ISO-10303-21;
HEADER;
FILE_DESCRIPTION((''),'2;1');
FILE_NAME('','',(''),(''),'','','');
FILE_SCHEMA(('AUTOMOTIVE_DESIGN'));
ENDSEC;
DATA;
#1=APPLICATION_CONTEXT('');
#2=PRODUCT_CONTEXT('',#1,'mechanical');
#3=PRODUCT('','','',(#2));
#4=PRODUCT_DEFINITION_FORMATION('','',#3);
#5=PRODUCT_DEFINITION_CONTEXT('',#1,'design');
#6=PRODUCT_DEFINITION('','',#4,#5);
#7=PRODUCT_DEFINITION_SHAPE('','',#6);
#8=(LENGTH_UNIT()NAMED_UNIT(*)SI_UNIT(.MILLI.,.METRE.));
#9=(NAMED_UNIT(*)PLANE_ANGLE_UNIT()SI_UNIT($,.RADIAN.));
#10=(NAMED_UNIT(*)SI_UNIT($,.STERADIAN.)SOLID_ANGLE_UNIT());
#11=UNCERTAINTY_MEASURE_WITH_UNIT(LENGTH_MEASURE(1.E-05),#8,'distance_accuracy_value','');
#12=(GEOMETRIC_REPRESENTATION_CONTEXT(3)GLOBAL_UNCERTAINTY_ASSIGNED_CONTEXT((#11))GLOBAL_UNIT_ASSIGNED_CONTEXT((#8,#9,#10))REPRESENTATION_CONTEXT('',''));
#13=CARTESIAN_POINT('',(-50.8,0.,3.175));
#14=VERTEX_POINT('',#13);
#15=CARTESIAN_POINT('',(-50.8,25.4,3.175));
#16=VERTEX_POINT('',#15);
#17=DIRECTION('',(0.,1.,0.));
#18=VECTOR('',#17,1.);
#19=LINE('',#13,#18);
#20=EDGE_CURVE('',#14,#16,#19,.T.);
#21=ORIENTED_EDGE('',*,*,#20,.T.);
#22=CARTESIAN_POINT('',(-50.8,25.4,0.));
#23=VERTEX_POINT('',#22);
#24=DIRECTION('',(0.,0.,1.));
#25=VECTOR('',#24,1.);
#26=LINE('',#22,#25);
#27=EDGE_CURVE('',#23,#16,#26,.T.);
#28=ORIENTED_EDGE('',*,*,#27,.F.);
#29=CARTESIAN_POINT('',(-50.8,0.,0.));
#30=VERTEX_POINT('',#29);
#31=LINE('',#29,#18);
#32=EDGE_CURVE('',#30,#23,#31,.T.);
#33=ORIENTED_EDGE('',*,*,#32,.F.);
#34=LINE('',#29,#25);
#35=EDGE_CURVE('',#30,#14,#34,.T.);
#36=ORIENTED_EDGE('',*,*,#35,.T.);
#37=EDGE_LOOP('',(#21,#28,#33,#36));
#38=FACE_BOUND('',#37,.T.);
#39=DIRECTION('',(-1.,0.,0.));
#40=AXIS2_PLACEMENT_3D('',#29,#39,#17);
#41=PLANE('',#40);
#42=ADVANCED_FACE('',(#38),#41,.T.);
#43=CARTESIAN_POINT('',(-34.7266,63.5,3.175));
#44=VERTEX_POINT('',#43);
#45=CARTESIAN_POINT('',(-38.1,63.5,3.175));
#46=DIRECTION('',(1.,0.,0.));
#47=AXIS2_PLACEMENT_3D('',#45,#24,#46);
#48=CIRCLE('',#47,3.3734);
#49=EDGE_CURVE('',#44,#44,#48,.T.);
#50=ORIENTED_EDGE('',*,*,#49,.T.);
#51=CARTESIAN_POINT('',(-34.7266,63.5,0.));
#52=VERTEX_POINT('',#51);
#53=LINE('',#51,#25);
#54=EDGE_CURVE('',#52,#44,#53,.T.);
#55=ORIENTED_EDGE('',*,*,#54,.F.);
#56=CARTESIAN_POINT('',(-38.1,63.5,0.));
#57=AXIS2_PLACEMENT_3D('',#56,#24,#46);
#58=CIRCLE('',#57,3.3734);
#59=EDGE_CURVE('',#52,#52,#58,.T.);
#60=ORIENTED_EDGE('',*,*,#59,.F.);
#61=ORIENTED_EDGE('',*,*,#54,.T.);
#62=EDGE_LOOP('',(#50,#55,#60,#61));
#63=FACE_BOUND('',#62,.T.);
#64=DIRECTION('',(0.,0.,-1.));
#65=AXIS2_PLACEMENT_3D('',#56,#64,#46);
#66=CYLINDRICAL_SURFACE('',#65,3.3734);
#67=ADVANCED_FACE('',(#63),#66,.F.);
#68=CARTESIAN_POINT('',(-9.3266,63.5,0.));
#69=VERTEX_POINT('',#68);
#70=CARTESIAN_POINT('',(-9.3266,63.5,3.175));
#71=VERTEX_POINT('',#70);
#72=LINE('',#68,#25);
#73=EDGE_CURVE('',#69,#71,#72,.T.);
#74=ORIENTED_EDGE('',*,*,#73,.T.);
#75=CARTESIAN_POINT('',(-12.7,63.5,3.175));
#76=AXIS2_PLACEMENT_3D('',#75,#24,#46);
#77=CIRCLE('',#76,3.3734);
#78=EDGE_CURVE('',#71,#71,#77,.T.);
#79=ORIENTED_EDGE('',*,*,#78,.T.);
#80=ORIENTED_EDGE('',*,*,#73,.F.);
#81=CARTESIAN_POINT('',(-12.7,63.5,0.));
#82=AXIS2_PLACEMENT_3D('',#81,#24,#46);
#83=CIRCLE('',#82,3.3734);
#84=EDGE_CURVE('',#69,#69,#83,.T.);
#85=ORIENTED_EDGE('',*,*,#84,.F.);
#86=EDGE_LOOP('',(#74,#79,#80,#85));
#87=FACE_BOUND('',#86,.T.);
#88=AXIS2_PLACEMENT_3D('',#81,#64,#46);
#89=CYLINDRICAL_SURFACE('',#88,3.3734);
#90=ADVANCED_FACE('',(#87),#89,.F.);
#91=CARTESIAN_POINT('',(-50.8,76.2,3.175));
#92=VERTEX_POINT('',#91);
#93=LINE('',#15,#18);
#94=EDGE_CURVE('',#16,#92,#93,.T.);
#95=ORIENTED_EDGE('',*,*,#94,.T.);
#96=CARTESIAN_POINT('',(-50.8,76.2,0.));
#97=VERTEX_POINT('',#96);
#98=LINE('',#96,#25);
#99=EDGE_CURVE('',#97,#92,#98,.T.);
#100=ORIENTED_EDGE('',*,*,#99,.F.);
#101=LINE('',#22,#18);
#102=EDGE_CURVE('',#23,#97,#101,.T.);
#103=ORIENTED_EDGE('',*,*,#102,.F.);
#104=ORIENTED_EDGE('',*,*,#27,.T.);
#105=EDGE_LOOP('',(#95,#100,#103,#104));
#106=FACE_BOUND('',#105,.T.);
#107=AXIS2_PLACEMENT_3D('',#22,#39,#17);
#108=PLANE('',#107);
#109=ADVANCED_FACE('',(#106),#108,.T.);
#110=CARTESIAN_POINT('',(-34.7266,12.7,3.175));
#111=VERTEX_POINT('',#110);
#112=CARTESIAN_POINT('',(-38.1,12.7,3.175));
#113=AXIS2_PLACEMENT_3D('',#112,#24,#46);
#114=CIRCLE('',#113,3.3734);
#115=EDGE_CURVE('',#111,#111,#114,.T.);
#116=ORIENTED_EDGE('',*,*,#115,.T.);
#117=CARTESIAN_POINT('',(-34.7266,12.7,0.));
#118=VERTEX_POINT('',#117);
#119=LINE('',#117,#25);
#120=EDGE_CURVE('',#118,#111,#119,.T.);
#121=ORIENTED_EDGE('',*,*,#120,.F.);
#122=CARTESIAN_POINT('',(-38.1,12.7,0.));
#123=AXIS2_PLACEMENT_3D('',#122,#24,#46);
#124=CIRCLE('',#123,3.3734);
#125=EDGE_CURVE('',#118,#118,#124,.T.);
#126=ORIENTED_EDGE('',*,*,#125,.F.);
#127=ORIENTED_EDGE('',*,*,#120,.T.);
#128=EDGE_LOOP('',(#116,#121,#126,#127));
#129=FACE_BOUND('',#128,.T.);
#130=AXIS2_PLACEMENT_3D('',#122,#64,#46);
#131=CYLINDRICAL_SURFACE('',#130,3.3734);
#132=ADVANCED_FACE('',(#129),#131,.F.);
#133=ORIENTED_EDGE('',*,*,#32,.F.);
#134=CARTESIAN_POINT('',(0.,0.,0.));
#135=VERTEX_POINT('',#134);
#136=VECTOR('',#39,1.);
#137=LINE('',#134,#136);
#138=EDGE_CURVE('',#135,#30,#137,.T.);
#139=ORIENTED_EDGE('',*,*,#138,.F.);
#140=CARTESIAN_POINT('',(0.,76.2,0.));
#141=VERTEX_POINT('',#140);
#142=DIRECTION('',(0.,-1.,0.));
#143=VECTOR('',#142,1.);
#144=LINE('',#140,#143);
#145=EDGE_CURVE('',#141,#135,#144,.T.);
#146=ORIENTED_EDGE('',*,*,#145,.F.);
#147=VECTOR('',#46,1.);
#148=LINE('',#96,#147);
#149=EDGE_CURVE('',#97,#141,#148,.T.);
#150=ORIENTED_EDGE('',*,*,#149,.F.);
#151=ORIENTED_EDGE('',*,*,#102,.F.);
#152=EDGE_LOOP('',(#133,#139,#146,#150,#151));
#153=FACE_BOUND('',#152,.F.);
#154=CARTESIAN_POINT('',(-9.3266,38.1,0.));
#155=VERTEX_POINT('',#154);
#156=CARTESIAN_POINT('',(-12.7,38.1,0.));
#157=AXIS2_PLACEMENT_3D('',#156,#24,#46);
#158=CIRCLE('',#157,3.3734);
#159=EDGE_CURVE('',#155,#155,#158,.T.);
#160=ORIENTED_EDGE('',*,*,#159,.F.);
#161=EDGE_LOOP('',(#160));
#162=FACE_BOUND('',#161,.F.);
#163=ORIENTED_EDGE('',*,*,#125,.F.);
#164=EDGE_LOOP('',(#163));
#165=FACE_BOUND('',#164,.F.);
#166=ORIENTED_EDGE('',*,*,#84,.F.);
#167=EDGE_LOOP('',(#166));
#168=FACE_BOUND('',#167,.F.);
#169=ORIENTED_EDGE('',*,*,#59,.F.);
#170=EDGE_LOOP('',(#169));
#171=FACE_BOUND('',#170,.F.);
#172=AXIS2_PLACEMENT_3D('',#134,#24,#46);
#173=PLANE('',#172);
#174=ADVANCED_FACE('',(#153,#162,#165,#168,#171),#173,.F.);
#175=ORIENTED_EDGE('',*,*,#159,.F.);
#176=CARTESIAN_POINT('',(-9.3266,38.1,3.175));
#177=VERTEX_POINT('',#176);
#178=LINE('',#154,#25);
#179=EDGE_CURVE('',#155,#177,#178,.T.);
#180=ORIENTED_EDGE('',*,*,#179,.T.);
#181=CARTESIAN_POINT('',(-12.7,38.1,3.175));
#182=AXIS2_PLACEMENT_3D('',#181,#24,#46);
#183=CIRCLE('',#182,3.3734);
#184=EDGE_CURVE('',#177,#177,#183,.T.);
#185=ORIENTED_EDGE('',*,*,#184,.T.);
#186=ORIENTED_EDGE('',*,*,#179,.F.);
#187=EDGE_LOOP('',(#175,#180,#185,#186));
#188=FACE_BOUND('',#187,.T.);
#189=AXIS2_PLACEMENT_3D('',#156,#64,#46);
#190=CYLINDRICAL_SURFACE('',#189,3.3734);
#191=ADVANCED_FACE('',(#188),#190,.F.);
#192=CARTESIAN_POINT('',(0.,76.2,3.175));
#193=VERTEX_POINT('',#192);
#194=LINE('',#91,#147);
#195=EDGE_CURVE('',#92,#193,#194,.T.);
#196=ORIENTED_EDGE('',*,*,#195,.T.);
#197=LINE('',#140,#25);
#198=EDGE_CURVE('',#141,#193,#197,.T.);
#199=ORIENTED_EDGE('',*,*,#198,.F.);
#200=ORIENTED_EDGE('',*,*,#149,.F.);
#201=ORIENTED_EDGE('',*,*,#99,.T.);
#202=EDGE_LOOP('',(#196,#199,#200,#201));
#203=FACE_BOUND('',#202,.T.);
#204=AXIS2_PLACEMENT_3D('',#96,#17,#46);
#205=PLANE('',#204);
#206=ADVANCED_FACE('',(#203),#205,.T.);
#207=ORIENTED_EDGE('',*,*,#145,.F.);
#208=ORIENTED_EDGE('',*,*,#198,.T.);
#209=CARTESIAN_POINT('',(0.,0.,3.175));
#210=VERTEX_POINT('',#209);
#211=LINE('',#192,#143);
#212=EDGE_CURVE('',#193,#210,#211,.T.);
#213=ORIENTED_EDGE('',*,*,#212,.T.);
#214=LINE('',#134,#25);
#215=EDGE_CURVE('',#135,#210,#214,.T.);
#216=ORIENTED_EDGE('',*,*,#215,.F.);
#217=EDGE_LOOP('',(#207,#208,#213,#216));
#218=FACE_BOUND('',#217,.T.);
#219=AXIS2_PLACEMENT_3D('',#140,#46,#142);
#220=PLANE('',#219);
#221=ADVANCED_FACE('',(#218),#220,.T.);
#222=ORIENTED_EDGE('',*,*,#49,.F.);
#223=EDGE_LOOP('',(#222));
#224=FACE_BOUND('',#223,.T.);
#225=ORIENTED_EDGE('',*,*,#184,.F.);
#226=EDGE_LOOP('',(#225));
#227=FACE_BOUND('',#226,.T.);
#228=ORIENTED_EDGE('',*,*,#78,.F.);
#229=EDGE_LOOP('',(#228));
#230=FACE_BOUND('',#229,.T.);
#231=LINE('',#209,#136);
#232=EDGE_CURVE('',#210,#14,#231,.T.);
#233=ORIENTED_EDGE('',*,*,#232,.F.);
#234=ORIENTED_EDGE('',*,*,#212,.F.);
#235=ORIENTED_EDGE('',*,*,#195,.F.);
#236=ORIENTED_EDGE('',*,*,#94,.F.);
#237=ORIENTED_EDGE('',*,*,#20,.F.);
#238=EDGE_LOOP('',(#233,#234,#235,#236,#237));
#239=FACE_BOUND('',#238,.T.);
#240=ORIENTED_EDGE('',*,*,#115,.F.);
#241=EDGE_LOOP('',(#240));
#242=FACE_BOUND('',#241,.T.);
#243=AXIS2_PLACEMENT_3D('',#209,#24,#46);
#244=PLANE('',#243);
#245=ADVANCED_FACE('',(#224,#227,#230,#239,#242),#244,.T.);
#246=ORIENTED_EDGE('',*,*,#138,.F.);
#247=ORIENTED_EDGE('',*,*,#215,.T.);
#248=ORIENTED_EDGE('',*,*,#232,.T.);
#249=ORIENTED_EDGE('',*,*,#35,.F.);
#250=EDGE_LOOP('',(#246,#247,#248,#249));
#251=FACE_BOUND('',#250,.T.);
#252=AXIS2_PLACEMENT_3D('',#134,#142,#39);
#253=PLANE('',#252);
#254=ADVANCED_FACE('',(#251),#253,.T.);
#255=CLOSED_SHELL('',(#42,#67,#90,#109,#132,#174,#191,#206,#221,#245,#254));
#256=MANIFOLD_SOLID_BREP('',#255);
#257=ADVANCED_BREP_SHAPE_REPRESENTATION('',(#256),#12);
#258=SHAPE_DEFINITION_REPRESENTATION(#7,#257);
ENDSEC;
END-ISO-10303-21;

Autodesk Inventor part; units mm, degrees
ref_plane "YZ Plane" through (0, 0, 0) normal (1, 0, 0) x (0, 1, 0)
ref_plane "XZ Plane" through (0, 0, 0) normal (0, 1, 0) x (-1, 0, 0)
ref_plane "XY Plane" through (0, 0, 0) normal (0, 0, 1) x (1, 0, 0)
sketch "Sketch1" plane through (0, 0, 0) normal (0, 0, 1) x (1, 0, 0)
  line L0 (0, 0) -> (-50.8, 0)
  line L1 (-50.8, 0) -> (-50.8, 25.4)
  line L2 (-50.8, 25.4) -> (-50.8, 76.2)
  line L3 (-50.8, 76.2) -> (0, 76.2)
  line L4 (0, 76.2) -> (0, 0)
  circle A0 centre (-38.1, 12.7) radius 3.3734
  circle A1 centre (-12.7, 38.1) radius 3.3734
  circle A2 centre (-12.7, 63.5) radius 3.3734
  circle A3 centre (-38.1, 63.5) radius 3.3734
  dimension "d0" = 50.8
  dimension "d1" = 25.4
  dimension "d2" = 76.2
  dimension "d3" = 50.8
  dimension "d4" = 6.7469
  dimension "d5" = 38.1
  dimension "d6" = 12.7
  dimension "d7" = 38.1
  dimension "d9" = 12.7
  dimension "d10" = 12.7
  dimension "d14" = 12.7
  dimension "d15" = 12.7
  dimension "d18" = 12.7
extrude "Extrusion2" add sketch "Sketch1" along normal blind 3.175
properties part number "fly wheel gusset" material "Aluminum 6061"
